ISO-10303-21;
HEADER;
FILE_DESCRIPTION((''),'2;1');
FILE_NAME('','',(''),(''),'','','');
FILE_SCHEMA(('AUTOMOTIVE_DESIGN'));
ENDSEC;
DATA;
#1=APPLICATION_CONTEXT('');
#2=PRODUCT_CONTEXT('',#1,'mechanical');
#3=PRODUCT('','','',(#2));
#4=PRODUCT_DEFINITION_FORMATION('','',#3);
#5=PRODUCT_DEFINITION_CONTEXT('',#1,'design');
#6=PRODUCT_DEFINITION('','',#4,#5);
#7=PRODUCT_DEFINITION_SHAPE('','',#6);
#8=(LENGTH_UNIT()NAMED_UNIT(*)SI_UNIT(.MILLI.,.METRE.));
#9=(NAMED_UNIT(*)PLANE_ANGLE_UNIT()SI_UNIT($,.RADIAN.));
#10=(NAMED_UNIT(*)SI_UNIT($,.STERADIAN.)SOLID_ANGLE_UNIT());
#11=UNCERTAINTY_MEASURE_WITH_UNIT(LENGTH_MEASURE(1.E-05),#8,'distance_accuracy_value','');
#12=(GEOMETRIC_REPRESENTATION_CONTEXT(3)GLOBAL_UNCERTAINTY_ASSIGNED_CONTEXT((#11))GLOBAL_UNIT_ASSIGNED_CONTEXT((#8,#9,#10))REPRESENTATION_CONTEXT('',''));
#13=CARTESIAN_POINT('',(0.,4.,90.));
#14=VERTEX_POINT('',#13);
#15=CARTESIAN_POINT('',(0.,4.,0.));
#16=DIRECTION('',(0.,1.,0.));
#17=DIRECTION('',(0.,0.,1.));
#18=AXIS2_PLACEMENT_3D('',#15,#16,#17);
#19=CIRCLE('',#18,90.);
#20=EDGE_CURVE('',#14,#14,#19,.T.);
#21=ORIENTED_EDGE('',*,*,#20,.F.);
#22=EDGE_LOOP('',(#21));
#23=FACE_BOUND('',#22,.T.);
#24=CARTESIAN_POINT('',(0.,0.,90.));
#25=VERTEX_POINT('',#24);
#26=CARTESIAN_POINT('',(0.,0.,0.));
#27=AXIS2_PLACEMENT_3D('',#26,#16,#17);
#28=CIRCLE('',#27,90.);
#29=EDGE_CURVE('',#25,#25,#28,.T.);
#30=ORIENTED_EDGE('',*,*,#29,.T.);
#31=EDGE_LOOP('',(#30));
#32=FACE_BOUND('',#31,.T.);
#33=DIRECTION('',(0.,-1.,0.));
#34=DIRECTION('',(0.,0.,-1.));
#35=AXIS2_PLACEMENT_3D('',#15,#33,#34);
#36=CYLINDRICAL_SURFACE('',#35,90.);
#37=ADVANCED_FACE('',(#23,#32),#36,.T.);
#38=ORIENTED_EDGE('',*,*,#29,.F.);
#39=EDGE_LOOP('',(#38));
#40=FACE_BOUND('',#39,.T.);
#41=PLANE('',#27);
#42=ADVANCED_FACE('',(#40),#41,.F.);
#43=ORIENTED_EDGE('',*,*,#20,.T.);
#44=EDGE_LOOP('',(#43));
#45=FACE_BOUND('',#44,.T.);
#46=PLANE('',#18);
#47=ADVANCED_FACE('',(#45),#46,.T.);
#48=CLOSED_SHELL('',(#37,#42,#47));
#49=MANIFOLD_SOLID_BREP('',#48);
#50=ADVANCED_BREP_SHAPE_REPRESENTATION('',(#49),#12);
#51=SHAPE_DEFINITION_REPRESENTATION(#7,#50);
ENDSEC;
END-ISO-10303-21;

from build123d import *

# Parameters (mm, degrees)
SKETCH_1_R      = 90
EXTRUDE_1_DEPTH = 4


with BuildPart() as part:
    # 草圖1 → 填料-伸長1 (new body)
    with BuildSketch(Plane(origin=(0, 0, 0), x_dir=(1, 0, 0), z_dir=(0, 1, 0))):
        with Locations(Location((0, 0, 0), (0, 0, 270))):
            Circle(SKETCH_1_R)
    extrude(amount=EXTRUDE_1_DEPTH)


solid = part.part
